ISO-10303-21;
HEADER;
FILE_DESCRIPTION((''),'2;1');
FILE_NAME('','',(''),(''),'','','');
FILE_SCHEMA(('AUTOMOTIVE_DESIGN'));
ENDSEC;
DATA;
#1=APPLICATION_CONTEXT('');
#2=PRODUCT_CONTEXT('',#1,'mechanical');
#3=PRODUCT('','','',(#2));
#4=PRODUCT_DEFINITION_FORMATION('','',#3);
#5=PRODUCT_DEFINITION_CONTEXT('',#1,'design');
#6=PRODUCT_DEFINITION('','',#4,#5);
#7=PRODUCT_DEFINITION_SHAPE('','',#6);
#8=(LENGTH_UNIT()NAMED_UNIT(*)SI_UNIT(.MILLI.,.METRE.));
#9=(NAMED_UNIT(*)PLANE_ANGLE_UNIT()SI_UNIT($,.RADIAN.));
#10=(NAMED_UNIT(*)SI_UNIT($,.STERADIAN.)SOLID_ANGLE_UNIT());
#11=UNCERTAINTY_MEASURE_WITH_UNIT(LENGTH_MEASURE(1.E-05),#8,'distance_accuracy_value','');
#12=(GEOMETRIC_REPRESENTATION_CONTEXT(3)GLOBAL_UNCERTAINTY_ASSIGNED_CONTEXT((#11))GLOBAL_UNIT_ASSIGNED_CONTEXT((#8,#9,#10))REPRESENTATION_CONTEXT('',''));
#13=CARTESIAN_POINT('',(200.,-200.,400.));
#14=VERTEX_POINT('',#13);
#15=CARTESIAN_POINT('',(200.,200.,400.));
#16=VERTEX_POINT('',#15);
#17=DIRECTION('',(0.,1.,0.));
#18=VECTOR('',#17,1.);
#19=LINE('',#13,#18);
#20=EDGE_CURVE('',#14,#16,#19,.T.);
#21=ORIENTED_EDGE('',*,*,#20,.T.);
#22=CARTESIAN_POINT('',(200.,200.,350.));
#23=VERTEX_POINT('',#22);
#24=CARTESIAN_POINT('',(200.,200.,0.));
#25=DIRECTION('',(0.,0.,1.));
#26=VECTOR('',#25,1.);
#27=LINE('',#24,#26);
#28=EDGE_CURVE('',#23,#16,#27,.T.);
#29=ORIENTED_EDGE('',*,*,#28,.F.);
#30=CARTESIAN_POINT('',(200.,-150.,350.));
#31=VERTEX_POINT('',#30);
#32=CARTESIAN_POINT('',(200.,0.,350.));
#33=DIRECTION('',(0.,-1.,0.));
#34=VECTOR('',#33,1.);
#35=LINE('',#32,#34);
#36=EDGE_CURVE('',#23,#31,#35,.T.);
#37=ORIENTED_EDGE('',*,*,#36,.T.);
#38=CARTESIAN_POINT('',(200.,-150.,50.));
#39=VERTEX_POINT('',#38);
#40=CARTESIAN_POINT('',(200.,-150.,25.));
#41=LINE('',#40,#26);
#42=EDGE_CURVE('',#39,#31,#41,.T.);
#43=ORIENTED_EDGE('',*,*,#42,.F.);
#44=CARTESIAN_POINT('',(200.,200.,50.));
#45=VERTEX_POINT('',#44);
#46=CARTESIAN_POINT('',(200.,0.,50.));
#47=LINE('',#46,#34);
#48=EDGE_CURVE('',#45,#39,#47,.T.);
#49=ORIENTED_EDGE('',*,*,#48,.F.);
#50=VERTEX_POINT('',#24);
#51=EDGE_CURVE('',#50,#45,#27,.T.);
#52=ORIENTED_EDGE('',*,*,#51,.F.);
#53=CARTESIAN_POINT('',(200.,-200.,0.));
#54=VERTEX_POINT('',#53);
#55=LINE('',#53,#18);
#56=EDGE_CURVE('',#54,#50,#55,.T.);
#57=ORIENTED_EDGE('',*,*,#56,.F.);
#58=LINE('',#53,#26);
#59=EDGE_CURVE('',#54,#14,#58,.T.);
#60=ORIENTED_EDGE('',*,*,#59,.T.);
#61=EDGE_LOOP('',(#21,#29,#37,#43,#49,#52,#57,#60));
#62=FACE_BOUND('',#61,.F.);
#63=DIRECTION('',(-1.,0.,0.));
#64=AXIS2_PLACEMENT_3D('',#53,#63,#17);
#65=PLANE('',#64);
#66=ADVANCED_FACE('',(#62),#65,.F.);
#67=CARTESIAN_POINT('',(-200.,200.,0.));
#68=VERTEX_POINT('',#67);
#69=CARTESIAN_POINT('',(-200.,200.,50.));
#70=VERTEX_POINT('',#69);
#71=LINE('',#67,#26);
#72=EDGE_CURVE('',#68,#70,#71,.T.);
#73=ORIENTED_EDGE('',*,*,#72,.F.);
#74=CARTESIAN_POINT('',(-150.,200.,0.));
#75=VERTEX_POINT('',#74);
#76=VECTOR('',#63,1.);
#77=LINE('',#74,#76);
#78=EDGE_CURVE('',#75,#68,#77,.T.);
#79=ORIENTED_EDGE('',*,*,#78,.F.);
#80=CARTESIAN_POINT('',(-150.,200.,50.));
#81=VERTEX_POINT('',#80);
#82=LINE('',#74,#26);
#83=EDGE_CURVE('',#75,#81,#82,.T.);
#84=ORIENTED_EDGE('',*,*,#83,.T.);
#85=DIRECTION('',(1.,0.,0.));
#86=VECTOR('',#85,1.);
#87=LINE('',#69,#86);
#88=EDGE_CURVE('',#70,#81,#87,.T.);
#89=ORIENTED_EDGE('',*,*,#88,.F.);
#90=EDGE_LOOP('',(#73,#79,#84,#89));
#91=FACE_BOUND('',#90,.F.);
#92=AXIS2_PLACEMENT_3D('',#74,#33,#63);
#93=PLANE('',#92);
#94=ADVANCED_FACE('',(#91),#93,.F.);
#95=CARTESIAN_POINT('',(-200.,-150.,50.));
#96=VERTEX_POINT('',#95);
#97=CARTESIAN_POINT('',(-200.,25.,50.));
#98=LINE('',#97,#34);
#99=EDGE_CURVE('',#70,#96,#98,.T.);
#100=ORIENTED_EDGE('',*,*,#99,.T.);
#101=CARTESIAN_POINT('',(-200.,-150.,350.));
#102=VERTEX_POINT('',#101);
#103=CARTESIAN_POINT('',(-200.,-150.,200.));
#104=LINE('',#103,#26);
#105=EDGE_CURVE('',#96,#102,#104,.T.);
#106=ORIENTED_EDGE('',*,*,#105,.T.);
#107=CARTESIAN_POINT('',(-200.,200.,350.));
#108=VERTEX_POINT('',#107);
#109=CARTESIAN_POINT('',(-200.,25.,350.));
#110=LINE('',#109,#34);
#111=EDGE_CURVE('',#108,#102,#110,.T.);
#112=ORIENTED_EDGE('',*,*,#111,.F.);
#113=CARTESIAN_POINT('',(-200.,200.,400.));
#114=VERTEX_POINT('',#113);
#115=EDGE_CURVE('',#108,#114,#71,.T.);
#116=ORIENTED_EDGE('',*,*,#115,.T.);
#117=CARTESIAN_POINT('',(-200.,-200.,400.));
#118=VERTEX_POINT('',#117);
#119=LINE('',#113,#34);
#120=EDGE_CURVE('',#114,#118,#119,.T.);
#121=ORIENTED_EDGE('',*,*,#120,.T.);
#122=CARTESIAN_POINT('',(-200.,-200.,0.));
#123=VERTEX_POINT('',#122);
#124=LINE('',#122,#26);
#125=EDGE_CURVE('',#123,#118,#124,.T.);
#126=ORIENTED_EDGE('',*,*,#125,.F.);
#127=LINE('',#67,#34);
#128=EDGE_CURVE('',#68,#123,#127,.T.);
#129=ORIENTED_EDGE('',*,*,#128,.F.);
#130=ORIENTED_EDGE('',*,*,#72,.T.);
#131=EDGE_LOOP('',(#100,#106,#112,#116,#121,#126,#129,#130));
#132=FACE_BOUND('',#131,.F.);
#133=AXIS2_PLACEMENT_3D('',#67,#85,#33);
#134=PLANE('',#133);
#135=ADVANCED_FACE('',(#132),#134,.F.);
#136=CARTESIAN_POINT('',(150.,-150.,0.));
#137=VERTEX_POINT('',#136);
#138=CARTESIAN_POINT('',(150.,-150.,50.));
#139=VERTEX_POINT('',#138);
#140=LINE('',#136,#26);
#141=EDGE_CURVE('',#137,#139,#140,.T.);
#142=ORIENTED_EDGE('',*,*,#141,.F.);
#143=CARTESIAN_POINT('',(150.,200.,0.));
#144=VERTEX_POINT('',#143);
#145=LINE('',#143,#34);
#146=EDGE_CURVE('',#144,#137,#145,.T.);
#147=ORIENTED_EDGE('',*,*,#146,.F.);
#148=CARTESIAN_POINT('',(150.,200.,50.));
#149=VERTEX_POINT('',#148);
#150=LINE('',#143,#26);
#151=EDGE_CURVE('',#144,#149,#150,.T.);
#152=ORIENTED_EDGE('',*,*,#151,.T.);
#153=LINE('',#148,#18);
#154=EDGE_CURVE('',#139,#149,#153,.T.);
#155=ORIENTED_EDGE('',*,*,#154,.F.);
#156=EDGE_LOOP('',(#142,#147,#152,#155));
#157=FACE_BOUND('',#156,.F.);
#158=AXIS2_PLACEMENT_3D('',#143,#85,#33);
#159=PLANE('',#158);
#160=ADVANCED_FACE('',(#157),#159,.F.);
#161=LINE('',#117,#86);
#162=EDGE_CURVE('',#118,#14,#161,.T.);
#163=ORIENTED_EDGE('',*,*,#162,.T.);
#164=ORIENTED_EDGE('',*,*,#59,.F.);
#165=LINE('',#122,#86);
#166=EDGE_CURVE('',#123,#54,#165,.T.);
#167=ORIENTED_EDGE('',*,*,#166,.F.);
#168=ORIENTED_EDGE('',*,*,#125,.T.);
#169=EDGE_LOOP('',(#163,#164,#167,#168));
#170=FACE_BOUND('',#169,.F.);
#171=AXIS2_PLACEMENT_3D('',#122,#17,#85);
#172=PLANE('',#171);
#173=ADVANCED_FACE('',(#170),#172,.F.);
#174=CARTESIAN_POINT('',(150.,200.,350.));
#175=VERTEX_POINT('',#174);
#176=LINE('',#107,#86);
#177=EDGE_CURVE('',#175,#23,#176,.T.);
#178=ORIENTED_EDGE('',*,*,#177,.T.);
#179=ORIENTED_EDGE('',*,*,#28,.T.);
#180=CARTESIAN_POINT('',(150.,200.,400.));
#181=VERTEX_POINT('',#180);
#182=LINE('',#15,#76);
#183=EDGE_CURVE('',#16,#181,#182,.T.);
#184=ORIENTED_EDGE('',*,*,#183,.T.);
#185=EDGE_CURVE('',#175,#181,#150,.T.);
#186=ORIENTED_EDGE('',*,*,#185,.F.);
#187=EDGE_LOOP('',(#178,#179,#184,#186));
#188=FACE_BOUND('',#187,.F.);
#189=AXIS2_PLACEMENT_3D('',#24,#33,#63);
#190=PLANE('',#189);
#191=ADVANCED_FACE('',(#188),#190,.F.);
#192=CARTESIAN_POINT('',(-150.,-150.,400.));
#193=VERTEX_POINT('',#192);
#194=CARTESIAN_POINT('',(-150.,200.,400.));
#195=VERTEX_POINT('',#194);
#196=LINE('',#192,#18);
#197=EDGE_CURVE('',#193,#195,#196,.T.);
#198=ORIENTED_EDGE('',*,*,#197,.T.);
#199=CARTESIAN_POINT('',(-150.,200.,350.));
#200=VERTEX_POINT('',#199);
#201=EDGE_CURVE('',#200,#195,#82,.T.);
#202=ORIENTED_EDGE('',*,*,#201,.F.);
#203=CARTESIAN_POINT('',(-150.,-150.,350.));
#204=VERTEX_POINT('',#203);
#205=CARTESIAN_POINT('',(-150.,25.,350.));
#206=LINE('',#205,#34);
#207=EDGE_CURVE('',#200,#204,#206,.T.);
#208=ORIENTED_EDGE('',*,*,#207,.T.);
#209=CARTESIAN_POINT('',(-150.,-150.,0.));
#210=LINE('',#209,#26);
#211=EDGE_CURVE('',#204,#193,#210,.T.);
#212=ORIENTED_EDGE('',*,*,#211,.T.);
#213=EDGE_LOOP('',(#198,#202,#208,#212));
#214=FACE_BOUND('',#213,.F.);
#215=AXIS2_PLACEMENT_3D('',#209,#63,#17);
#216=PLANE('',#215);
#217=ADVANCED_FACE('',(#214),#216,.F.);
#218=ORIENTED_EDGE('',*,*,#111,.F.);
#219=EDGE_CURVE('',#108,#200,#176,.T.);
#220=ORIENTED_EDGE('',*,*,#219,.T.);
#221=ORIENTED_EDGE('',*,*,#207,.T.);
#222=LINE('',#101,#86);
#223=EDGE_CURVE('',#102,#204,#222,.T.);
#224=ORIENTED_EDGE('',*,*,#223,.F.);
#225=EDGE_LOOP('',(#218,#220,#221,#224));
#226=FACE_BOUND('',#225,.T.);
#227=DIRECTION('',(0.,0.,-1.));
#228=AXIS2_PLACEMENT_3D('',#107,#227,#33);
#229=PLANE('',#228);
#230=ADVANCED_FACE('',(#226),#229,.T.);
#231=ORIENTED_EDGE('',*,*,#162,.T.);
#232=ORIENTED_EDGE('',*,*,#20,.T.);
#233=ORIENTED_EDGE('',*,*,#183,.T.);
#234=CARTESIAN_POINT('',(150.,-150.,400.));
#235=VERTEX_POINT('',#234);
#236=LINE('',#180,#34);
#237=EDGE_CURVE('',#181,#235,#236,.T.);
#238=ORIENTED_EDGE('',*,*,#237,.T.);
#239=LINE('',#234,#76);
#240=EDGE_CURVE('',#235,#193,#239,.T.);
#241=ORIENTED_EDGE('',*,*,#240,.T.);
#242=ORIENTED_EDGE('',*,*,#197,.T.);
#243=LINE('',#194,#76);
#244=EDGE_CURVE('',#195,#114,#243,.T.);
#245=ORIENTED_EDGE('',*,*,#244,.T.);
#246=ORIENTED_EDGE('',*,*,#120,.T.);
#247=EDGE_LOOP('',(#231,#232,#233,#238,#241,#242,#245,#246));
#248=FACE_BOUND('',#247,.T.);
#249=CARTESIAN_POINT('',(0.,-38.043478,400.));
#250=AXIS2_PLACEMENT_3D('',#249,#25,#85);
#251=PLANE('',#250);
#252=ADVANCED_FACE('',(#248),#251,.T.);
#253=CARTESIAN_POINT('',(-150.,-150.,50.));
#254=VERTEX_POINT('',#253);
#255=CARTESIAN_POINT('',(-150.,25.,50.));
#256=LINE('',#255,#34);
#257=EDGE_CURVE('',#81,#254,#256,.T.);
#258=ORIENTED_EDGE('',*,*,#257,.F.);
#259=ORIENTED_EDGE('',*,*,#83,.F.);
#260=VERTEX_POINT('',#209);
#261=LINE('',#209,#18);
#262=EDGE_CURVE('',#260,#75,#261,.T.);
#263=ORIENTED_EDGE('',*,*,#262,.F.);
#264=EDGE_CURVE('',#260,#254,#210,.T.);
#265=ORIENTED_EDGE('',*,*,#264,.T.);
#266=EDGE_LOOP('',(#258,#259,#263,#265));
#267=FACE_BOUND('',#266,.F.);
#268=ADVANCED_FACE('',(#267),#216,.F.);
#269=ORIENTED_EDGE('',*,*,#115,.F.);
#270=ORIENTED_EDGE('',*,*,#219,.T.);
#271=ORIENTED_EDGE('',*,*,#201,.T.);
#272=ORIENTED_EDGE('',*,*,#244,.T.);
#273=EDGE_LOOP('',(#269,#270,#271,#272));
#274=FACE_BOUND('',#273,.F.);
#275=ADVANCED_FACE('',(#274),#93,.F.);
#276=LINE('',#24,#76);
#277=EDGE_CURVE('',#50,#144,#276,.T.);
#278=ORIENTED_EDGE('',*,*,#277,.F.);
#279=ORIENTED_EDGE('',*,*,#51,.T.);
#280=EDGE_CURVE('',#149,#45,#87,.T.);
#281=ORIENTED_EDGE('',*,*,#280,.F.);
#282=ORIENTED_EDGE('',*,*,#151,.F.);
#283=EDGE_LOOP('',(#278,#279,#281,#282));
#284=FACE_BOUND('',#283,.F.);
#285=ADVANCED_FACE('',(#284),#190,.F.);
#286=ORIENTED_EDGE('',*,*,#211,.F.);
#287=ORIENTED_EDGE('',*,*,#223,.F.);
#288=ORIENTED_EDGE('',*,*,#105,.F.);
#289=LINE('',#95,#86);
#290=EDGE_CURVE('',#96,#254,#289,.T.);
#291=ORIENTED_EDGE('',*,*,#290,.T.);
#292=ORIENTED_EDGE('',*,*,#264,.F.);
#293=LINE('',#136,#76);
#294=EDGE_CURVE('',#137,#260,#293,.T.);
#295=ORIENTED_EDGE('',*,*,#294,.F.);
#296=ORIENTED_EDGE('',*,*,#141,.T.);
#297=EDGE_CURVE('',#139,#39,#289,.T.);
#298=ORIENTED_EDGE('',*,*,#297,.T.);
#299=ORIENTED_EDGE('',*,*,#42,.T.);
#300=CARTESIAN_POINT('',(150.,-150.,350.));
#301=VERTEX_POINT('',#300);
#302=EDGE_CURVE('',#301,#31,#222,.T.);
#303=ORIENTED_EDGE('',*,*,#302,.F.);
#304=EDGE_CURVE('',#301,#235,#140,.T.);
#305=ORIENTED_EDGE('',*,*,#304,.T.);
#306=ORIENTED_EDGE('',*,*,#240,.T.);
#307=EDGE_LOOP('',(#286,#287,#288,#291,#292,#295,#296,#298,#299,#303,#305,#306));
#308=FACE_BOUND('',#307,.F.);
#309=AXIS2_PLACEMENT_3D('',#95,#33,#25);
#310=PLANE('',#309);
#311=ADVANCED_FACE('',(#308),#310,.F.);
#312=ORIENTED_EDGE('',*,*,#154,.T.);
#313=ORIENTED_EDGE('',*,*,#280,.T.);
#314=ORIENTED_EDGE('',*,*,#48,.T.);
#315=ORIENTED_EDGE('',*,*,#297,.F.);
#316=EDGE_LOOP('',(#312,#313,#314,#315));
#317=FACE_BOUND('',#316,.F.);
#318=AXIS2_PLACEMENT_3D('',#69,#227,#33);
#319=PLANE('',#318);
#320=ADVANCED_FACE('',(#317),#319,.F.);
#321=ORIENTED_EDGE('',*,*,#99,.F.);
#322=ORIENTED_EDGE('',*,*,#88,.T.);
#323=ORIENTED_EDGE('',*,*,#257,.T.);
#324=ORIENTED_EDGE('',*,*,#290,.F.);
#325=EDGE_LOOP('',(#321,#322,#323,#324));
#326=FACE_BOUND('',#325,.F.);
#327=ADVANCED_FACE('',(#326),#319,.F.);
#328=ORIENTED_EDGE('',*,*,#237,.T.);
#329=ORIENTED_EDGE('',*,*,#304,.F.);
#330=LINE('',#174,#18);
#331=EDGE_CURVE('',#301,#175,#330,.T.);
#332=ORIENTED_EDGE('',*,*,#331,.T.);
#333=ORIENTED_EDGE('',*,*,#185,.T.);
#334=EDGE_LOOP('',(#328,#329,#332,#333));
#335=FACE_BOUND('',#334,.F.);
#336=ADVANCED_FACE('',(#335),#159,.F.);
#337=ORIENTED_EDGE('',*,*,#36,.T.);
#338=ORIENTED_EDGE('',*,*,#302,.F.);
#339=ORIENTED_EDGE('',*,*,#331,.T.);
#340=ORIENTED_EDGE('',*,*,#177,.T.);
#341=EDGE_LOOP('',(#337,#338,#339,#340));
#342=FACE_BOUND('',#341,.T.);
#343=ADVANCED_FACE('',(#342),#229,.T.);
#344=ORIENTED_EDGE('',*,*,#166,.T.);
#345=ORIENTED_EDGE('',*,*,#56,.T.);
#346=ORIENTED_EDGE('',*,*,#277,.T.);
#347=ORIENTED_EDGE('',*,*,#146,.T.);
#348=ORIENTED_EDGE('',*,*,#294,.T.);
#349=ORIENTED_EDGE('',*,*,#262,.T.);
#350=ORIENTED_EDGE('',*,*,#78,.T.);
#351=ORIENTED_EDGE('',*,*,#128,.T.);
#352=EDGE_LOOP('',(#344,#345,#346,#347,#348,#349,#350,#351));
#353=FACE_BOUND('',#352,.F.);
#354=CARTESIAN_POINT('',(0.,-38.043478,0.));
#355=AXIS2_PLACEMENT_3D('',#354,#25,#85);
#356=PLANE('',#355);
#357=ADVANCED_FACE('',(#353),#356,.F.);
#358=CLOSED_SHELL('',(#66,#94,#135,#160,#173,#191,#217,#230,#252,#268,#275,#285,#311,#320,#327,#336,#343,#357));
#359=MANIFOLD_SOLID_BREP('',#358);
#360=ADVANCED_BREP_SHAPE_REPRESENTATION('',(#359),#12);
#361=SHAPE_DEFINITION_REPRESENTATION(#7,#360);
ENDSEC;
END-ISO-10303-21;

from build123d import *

# Parameters (mm, degrees)
F1_DEPTH = 400
F2_W     = 350
F2_H     = 300
F3_DEPTH = 400.001


with BuildPart() as f1:
    # F0 (on Top) → F1 (new body)
    with BuildSketch(Plane.XY):
        Polygon((-200, -200), (200, -200), (200, 200), (150, 200), (150, -150), (-150, -150), (-150, 200), (-200, 200), align=None)
    extrude(amount=F1_DEPTH)

    # F2 (on face) → F3 (cut, through all)
    with BuildSketch(Plane(origin=(-200, 0, 0), x_dir=(0, -1, 0), z_dir=(-1, 0, 0))):
        with Locations((-25, 200)):
            Rectangle(F2_W, F2_H)
    extrude(amount=-F3_DEPTH, mode=Mode.SUBTRACT)


solid = f1.part
